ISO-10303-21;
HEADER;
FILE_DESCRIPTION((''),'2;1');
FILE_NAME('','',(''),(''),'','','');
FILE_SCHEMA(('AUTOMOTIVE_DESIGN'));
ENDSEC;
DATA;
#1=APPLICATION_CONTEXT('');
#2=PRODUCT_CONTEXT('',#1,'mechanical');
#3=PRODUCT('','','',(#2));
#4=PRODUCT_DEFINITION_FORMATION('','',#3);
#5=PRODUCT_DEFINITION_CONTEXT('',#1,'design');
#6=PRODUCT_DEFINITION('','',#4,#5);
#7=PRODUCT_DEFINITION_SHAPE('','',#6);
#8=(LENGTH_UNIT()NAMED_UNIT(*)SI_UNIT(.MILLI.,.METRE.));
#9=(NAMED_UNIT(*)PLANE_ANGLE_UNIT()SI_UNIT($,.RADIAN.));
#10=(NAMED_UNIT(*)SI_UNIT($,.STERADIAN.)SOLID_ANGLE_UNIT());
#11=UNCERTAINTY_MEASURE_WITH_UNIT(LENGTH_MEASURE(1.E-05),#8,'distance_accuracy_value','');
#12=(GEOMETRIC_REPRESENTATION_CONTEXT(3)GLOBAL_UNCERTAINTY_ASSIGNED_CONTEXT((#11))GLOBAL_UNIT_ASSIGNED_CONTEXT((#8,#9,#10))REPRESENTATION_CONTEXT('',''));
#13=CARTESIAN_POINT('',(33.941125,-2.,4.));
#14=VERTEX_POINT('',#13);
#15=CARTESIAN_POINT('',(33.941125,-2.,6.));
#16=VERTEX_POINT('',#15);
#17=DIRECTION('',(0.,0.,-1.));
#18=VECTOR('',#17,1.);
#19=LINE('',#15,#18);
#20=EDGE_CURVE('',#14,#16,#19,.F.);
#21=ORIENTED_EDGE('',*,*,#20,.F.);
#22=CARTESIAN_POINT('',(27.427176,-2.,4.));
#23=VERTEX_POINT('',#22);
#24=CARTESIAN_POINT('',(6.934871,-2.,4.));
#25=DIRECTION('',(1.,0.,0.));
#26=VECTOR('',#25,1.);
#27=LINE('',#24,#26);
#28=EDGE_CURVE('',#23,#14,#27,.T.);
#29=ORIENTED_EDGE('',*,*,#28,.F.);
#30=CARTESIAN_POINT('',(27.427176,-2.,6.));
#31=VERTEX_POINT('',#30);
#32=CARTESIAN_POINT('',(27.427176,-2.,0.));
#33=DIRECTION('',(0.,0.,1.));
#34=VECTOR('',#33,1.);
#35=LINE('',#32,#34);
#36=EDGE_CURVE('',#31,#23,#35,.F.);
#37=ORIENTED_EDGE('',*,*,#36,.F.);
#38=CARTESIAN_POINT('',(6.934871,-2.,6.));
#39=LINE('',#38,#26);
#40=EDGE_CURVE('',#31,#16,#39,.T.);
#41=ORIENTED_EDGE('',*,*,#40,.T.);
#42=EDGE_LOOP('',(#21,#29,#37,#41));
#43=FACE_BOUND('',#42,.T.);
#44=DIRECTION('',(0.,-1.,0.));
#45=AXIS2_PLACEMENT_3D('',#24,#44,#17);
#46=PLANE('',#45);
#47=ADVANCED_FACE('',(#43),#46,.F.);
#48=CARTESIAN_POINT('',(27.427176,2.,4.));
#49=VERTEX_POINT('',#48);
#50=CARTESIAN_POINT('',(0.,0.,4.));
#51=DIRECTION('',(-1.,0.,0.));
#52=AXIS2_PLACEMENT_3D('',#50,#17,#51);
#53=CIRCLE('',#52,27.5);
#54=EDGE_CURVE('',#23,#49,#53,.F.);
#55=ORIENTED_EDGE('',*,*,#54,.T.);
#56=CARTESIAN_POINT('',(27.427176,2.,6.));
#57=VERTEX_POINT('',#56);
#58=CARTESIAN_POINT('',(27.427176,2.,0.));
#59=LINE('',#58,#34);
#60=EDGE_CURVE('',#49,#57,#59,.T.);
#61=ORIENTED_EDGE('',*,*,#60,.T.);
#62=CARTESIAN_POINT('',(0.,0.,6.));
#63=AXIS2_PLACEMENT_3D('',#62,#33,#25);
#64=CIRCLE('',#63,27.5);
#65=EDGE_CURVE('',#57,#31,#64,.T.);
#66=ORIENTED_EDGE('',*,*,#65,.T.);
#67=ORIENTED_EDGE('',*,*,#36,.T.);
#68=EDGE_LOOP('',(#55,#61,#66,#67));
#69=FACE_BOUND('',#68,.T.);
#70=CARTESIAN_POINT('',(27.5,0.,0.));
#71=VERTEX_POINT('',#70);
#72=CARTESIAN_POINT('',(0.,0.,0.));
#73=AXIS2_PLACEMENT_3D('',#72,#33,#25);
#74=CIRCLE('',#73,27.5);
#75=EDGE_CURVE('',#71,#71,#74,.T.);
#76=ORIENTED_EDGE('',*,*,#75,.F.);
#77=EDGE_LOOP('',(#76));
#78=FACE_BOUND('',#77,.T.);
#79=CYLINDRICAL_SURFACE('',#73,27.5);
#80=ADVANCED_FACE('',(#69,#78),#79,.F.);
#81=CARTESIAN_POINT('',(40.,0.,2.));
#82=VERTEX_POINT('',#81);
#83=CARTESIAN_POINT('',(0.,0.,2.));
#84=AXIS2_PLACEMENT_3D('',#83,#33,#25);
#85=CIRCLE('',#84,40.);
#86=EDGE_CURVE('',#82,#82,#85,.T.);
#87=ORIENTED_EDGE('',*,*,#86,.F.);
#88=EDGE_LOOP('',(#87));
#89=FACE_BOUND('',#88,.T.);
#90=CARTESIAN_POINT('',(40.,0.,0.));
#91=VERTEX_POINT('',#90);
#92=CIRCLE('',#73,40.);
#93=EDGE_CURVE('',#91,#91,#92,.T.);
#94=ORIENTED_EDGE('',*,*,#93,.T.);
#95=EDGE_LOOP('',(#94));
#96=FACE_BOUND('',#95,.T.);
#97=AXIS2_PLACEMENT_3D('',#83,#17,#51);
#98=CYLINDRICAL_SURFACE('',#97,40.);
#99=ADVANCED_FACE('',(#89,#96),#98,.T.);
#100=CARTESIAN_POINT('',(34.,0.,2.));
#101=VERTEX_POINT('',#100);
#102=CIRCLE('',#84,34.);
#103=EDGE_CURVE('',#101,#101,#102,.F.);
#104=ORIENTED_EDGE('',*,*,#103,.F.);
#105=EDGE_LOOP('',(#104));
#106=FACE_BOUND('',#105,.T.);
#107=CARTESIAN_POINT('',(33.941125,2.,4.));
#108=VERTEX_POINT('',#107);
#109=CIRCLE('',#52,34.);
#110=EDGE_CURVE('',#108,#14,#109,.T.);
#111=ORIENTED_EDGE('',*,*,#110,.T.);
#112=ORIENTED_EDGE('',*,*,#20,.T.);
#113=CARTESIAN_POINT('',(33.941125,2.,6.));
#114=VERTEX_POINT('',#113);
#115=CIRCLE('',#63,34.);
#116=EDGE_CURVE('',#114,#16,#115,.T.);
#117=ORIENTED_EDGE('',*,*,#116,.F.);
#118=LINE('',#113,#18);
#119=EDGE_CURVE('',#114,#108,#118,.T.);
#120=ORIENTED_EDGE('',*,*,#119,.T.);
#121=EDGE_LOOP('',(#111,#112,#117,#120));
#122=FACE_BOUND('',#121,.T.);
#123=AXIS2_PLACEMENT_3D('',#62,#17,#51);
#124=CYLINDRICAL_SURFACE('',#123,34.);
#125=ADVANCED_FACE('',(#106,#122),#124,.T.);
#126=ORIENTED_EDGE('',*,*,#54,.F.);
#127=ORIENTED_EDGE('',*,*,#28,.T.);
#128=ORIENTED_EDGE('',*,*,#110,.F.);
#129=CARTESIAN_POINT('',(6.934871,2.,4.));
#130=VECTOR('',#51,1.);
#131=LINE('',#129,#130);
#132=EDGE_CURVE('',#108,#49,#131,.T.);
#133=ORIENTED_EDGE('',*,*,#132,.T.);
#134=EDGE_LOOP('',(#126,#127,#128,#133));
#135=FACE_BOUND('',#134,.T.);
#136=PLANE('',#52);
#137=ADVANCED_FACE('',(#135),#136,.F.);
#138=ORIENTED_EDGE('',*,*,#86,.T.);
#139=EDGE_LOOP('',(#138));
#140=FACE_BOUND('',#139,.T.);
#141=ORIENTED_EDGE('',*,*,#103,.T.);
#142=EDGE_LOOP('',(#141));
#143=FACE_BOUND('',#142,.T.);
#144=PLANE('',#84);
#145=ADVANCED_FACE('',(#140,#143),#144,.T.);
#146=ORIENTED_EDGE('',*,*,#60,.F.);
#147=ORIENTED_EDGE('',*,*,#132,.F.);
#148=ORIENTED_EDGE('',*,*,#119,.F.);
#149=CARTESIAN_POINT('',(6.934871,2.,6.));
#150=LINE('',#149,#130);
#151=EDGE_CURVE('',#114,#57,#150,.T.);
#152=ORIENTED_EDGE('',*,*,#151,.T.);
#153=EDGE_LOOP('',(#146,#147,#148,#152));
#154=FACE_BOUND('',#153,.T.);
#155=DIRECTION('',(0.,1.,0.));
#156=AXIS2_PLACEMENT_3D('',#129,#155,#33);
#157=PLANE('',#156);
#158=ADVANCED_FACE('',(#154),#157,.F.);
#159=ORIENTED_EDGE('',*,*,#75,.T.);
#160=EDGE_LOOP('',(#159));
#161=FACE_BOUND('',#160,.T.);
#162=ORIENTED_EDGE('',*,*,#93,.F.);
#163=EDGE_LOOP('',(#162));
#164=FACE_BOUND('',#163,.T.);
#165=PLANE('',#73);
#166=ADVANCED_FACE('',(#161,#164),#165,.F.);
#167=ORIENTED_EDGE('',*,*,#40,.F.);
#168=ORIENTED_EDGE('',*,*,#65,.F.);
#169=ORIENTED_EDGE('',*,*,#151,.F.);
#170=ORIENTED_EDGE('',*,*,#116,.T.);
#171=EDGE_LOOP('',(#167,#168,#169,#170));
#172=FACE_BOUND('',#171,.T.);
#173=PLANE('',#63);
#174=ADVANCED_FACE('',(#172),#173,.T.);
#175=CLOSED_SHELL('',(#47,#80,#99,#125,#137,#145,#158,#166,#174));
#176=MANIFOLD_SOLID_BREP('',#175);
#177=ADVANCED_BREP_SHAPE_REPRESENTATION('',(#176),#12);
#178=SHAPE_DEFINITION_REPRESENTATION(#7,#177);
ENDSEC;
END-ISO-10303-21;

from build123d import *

# Parameters (mm, degrees)
SKETCH_1_R          = 40
EXTRUDE_1_DEPTH     = 2
SKETCH_2_R          = 34
EXTRUDE_2_DEPTH     = 6
SKETCH_3_R          = 27.5
CUT_EXTRUDE_1_DEPTH = 57.885850613
SKETCH_4_W          = 46.937334883
SKETCH_4_H          = 4
CUT_EXTRUDE_2_DEPTH = 2


with BuildPart() as part:
    # 草图1 → 凸台-拉伸1 (new body)
    with BuildSketch(Plane.XY):
        Circle(SKETCH_1_R)
    extrude(amount=EXTRUDE_1_DEPTH)

    # 草图2 → 凸台-拉伸2 (add)
    with BuildSketch(Plane.XY):
        Circle(SKETCH_2_R)
    extrude(amount=EXTRUDE_2_DEPTH)

    # 草图3 → 切除-拉伸1 (cut, through all)
    with BuildSketch(Plane.XY.offset(6)):
        Circle(SKETCH_3_R)
    extrude(amount=-CUT_EXTRUDE_1_DEPTH, mode=Mode.SUBTRACT)

    # 草图4 → 切除-拉伸2 (cut)
    with BuildSketch(Plane.XY.offset(6)):
        with Locations((30.403538279, 0)):
            Rectangle(SKETCH_4_W, SKETCH_4_H)
    extrude(amount=-CUT_EXTRUDE_2_DEPTH, mode=Mode.SUBTRACT)


solid = part.part
